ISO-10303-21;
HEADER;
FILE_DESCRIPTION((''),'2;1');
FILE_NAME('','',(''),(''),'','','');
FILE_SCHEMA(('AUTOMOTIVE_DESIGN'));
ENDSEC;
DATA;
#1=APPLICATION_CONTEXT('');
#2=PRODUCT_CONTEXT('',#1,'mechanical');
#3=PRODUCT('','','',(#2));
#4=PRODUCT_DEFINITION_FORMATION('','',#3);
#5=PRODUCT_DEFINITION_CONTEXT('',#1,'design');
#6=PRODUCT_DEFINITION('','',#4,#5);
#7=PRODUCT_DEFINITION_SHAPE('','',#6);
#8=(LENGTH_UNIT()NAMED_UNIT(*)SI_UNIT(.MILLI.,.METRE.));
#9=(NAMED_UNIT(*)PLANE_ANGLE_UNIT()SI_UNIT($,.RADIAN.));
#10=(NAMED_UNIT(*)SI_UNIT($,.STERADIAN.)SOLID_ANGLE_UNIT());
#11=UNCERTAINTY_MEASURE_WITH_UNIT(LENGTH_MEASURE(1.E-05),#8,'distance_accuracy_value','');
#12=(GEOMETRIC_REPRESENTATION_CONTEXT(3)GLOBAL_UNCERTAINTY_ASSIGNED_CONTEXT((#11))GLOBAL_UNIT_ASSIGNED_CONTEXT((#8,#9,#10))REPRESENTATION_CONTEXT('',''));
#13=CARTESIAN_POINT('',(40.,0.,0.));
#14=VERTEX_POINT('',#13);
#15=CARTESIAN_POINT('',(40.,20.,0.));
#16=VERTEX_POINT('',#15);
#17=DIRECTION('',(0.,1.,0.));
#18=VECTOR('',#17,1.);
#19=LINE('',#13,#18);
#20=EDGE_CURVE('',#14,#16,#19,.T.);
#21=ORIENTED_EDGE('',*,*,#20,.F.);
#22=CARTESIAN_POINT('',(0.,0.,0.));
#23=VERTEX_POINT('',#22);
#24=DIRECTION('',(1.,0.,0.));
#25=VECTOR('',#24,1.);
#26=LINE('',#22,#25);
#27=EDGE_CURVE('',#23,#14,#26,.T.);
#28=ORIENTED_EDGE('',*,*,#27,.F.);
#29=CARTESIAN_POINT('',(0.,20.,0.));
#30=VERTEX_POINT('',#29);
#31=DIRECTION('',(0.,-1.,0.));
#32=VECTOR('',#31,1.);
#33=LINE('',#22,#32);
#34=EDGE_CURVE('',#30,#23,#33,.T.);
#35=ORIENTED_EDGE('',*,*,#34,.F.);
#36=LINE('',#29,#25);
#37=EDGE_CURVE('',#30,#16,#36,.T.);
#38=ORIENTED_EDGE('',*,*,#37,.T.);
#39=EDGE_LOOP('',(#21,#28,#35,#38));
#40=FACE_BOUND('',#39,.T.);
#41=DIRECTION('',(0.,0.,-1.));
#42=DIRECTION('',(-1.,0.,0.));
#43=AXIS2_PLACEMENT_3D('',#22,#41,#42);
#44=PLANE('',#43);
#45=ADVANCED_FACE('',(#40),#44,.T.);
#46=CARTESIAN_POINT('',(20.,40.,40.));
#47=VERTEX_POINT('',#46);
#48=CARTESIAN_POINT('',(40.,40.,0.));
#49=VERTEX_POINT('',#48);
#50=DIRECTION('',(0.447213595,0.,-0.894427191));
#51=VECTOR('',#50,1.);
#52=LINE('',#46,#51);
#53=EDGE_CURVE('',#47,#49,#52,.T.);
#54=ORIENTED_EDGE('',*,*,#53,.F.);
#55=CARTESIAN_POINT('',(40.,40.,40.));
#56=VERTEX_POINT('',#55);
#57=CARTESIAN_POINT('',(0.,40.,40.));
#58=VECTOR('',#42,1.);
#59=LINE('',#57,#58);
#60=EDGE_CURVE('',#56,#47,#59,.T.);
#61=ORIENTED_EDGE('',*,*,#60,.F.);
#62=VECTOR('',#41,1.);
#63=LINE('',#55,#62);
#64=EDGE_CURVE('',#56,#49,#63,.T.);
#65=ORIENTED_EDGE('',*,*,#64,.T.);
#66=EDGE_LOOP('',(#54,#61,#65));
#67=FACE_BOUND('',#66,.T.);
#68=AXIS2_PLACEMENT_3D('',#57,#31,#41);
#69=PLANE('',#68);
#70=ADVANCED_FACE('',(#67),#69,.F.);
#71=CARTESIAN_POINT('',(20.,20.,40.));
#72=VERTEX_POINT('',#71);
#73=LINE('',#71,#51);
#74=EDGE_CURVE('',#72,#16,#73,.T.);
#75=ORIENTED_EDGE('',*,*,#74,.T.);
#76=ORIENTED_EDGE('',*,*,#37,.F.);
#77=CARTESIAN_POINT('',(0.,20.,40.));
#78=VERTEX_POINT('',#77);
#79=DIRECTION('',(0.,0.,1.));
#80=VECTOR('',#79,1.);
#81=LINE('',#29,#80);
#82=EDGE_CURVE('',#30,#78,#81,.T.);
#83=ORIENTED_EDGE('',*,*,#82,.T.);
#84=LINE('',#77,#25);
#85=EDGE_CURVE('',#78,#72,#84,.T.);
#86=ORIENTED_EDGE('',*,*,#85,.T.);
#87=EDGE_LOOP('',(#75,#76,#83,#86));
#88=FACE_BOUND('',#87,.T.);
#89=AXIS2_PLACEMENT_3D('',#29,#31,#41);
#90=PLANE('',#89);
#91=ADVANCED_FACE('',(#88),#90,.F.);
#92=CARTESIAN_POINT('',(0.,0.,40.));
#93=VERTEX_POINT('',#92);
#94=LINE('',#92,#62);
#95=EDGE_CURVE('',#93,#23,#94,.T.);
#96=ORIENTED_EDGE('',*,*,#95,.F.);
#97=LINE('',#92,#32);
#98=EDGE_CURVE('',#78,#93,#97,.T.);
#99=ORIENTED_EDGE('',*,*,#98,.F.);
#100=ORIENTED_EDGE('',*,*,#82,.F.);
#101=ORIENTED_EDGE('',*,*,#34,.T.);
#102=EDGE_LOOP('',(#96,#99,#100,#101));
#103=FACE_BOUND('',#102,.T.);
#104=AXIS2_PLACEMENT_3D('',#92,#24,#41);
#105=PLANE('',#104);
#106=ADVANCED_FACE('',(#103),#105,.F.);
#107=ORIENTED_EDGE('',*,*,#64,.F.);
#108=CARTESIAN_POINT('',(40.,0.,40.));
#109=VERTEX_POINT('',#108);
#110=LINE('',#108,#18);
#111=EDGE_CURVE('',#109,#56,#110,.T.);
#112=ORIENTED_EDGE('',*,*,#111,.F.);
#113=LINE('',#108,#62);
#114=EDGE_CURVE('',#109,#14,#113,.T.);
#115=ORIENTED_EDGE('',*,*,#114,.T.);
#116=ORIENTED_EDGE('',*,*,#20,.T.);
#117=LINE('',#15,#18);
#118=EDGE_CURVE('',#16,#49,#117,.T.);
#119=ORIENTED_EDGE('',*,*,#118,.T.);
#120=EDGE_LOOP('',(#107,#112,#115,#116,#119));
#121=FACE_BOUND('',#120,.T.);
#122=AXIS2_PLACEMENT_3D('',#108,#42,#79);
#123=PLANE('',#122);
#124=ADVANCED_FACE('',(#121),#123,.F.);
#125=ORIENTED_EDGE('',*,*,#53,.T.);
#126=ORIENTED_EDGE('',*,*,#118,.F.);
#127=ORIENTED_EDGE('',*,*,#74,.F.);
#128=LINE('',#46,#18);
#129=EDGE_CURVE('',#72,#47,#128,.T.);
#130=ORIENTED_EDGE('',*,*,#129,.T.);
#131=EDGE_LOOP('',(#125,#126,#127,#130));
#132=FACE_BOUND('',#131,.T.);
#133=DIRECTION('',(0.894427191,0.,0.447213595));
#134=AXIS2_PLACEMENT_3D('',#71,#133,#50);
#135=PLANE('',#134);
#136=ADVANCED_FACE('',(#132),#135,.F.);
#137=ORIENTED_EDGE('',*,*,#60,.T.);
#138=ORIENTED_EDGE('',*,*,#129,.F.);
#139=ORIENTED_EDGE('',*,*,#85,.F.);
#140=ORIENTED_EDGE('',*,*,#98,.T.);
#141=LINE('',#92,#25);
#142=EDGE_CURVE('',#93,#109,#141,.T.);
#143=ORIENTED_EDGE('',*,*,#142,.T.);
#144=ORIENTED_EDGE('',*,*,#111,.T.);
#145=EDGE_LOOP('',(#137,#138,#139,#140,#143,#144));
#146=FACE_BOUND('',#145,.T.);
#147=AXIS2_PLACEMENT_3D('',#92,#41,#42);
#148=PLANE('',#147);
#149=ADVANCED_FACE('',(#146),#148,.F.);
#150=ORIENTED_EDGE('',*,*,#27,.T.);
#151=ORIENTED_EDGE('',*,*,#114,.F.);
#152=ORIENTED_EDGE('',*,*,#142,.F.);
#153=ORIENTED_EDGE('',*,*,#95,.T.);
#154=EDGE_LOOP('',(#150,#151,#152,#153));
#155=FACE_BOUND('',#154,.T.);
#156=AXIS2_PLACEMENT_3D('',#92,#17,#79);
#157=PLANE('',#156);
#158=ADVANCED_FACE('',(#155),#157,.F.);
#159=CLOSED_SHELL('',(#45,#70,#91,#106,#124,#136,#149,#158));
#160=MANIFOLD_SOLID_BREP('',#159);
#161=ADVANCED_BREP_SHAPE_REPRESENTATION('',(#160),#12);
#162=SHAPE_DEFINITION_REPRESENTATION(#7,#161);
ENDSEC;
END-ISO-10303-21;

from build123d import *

# Parameters (mm, degrees)
SKETCH1_W           = 40
SKETCH1_H           = 40
BOSS_EXTRUDE1_DEPTH = 40
SKETCH2_W           = 20
SKETCH2_H           = 20
CUT_EXTRUDE1_DEPTH  = 40
CUT_EXTRUDE2_DEPTH  = 20


with BuildPart() as part:
    # Sketch1 → Boss-Extrude1 (new body)
    with BuildSketch(Plane.XY):
        with Locations((20, 20)):
            Rectangle(SKETCH1_W, SKETCH1_H)
    extrude(amount=BOSS_EXTRUDE1_DEPTH)

    # Sketch2 → Cut-Extrude1 (cut)
    with BuildSketch(Plane.XY.offset(40)):
        with Locations((10, 30)):
            Rectangle(SKETCH2_W, SKETCH2_H)
    extrude(amount=-CUT_EXTRUDE1_DEPTH, mode=Mode.SUBTRACT)

    # Sketch3 → Cut-Extrude2 (cut)
    with BuildSketch(Plane(origin=(0, 40, 0), x_dir=(1, 0, 0), z_dir=(0, 1, 0))):
        Polygon((20, -40), (40, 0), (20, 0), align=None)
    extrude(amount=-CUT_EXTRUDE2_DEPTH, mode=Mode.SUBTRACT)


solid = part.part
